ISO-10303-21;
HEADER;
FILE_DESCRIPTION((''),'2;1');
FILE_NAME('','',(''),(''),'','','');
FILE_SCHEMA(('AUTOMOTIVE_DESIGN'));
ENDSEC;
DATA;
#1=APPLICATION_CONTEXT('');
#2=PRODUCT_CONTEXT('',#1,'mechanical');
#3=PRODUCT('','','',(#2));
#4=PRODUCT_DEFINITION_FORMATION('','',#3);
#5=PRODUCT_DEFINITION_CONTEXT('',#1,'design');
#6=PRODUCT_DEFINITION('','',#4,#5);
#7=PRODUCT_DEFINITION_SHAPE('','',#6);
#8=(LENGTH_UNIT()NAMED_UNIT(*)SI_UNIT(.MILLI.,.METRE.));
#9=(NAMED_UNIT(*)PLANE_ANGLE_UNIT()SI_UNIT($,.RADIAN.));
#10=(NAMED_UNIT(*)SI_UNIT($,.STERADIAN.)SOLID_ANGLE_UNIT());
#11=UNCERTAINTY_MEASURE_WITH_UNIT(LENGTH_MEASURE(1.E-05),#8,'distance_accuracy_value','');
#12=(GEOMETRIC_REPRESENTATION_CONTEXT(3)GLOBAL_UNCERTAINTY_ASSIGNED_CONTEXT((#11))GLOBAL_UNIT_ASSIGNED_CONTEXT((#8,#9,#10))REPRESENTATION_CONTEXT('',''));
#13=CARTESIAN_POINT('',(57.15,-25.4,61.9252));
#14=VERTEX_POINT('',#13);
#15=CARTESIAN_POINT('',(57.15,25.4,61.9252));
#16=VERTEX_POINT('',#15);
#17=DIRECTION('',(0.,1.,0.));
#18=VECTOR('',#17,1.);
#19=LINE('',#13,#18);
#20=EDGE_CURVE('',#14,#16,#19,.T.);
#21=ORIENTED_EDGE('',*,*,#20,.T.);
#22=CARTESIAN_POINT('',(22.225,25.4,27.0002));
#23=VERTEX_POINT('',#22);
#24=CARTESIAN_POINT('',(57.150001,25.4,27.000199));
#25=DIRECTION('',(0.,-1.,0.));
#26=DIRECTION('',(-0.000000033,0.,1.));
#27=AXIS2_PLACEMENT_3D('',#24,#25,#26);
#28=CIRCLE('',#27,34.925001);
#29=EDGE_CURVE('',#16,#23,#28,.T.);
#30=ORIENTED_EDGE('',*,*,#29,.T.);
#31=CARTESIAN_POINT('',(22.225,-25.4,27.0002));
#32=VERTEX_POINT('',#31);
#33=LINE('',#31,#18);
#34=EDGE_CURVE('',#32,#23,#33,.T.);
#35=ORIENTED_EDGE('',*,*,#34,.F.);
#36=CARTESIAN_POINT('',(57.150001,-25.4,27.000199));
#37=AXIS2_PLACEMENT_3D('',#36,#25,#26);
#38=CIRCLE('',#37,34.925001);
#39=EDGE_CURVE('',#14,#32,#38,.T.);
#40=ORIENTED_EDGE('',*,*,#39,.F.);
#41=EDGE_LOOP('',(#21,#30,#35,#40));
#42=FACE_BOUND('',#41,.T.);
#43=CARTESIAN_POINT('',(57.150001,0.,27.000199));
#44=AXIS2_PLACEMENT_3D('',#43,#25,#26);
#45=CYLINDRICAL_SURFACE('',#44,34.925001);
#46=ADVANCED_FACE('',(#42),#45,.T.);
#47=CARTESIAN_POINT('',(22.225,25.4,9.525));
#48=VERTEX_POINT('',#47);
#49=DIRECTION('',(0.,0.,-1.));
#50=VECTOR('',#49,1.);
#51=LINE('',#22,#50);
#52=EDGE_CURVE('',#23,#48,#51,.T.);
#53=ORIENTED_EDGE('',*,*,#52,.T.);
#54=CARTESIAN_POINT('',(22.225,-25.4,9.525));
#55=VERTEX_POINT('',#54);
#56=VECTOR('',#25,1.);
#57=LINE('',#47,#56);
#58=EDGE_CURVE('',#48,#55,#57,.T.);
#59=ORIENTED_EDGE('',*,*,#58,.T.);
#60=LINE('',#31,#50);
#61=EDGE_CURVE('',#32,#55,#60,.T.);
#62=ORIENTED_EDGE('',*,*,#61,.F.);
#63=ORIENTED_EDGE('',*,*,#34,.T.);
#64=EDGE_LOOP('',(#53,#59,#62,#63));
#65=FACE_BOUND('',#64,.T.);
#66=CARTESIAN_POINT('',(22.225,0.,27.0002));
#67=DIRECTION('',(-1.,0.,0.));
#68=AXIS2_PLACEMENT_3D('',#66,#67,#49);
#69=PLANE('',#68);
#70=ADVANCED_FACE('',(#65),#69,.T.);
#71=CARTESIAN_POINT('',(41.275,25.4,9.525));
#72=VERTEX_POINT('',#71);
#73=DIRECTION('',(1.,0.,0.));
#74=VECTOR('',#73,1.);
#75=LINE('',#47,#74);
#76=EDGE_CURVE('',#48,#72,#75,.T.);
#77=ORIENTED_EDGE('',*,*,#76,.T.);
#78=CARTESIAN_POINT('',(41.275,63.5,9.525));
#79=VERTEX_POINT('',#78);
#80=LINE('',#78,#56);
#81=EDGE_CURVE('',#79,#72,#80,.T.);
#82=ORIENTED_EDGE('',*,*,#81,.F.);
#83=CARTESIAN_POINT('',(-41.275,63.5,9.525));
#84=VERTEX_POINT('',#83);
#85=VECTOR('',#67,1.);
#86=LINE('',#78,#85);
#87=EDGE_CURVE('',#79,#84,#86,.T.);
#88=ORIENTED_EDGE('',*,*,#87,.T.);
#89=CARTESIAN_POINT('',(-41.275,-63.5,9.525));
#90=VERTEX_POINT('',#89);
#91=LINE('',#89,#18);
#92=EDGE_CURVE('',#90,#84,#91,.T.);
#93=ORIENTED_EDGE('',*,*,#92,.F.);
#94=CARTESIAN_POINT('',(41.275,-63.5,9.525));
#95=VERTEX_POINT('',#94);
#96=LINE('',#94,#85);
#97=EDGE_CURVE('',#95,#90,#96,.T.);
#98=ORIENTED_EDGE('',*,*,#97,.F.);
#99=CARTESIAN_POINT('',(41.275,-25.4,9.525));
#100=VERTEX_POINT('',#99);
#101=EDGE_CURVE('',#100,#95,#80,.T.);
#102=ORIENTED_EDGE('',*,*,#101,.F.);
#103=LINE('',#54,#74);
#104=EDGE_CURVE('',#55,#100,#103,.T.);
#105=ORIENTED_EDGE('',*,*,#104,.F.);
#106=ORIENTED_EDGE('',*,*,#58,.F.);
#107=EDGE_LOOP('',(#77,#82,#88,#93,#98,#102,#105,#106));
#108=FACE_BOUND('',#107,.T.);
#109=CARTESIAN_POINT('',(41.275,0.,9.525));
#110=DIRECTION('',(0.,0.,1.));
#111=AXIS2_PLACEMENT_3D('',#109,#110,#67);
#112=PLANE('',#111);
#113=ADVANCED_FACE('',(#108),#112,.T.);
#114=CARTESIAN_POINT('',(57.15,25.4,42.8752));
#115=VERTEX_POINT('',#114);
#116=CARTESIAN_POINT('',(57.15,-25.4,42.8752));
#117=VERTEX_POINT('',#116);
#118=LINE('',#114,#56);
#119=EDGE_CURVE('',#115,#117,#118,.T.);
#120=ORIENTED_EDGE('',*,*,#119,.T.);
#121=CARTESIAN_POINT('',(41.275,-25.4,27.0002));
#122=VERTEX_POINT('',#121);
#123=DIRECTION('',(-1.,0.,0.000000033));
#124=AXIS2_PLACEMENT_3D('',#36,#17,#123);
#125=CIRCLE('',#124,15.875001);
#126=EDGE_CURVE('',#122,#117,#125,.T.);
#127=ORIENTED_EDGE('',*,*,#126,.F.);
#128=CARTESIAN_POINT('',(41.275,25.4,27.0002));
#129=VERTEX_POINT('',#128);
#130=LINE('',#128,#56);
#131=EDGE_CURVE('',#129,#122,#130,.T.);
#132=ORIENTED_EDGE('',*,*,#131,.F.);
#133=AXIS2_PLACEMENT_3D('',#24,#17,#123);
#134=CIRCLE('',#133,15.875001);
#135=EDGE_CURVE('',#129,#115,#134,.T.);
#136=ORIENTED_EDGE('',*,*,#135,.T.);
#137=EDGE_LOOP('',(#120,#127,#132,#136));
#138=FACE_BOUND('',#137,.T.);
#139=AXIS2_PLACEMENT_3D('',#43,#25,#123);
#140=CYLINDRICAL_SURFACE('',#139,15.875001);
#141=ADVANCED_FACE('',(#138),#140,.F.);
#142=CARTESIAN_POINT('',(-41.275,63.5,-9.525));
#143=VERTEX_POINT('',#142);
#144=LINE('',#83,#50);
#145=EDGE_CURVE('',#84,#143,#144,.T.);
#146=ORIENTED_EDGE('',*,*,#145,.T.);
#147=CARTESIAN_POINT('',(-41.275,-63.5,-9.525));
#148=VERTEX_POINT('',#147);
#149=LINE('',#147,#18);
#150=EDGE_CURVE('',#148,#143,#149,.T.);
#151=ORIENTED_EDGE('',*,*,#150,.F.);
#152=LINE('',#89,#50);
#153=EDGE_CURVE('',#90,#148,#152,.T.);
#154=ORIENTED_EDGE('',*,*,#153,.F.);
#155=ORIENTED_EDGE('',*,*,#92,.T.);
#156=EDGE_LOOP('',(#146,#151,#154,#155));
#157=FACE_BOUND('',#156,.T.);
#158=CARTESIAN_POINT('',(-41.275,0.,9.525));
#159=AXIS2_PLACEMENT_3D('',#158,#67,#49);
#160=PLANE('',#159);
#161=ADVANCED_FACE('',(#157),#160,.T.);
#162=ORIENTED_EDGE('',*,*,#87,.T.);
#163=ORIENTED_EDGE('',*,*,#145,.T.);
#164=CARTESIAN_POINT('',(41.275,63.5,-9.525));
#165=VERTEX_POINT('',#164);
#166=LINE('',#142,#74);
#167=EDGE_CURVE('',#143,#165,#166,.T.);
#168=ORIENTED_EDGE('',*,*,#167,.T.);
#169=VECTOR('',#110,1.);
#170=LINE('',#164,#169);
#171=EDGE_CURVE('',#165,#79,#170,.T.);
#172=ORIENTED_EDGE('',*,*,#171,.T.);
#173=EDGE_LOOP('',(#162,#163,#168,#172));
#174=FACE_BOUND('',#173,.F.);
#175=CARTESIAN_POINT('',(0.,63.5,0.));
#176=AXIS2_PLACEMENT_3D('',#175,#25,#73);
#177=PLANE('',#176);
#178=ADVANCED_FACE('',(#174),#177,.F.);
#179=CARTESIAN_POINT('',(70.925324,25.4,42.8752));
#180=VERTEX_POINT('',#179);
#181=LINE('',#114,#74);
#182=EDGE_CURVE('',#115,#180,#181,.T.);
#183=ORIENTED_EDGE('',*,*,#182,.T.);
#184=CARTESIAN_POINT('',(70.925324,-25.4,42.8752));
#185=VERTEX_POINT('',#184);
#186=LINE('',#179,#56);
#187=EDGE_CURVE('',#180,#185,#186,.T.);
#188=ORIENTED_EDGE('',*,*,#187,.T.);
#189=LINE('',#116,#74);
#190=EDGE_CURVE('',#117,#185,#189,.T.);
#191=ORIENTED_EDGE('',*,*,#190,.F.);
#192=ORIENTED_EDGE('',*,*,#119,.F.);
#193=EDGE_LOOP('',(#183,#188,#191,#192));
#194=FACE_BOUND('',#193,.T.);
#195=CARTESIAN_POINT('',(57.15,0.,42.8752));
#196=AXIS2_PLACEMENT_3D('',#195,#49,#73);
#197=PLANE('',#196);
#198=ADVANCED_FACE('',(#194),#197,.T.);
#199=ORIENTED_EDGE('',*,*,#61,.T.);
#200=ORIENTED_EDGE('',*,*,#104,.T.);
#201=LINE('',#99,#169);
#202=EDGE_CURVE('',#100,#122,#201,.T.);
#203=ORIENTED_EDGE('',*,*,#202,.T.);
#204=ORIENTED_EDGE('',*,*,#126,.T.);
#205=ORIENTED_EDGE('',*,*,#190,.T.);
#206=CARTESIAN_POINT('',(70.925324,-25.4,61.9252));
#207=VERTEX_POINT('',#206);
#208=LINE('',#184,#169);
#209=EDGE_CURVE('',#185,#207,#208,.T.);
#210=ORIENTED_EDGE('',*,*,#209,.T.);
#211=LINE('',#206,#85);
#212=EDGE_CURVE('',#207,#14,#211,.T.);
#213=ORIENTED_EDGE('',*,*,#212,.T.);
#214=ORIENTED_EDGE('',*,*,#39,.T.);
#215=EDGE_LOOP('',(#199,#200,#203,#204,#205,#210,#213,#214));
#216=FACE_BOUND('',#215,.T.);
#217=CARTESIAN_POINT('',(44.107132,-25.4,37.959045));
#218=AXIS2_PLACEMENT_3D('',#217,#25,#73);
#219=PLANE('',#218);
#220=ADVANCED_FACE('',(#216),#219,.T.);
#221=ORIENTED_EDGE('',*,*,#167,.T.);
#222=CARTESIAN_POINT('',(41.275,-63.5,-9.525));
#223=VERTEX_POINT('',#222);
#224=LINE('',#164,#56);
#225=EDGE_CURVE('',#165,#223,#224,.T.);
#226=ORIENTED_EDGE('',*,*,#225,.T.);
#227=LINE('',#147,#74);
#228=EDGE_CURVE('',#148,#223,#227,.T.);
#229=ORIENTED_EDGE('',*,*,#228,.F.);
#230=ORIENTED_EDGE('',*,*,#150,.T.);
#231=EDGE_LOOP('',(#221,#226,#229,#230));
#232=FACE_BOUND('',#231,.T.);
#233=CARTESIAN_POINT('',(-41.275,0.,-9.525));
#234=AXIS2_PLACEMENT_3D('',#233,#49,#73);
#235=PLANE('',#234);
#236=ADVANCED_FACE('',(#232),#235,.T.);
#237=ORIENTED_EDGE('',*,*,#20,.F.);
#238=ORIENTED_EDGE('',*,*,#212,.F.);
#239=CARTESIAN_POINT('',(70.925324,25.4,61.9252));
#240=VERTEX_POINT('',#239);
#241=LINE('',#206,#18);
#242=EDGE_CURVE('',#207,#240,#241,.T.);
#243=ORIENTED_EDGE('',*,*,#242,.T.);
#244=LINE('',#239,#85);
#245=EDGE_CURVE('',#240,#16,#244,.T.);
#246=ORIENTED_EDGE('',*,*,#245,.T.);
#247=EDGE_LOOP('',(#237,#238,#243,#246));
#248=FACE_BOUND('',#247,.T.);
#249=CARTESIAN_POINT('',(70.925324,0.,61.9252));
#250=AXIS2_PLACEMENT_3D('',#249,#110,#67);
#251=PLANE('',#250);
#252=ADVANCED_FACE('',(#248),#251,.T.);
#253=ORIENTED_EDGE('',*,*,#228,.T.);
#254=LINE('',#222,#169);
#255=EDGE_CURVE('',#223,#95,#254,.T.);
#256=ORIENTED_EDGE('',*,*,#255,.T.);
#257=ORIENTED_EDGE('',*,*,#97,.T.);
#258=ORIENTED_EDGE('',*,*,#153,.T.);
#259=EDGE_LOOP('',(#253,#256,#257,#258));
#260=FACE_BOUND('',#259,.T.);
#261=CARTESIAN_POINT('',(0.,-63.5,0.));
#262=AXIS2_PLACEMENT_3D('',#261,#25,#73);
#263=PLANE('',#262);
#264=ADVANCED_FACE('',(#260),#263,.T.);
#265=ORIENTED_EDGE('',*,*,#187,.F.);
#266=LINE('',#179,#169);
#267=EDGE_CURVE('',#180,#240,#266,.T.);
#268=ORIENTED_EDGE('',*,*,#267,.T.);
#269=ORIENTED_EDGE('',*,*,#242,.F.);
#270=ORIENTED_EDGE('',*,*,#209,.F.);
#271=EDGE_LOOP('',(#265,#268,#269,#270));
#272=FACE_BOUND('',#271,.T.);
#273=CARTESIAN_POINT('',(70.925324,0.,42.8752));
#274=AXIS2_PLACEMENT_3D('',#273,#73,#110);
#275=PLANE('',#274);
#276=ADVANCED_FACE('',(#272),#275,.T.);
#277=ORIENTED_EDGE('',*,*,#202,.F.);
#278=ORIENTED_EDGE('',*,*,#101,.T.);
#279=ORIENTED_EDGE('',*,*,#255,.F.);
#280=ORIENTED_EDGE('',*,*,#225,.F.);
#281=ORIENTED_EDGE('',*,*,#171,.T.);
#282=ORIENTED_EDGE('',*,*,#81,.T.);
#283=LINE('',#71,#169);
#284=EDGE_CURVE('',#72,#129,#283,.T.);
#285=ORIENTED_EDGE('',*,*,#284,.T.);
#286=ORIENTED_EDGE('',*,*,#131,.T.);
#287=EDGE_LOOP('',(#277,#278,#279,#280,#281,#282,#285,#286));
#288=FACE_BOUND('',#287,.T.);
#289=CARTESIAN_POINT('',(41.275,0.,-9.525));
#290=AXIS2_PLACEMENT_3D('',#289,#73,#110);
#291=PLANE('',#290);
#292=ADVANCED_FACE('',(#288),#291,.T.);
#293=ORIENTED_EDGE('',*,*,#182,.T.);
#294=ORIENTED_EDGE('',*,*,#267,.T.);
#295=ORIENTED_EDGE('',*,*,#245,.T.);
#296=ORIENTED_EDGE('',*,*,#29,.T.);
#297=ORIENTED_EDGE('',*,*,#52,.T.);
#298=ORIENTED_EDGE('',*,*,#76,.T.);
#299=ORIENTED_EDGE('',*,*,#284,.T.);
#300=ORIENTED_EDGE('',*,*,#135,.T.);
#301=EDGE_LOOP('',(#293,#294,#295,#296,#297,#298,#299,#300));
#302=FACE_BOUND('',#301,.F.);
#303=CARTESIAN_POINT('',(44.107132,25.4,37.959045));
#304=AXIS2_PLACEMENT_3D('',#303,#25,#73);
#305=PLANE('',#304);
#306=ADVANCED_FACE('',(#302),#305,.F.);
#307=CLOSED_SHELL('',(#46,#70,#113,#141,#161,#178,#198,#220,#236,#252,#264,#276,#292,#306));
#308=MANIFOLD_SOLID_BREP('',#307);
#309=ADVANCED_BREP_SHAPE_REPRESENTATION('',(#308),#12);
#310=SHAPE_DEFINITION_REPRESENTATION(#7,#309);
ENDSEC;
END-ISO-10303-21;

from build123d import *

# Parameters (mm, degrees)
F2_DEPTH = 63.5
F3_DEPTH = 25.4


with BuildPart() as f2:
    # F0 (on Front) → F2 (new body, symmetric)
    with BuildSketch(Plane.XZ):
        Polygon((-41.275, -9.525), (41.275, -9.525), (41.275, 9.525), (22.225, 9.525), (-41.275, 9.525), align=None)
    extrude(amount=F2_DEPTH, both=True)

    # F1 (on face) → F3 (join, symmetric)
    with BuildSketch(Plane.XZ):
        with BuildLine():
            Line((22.225, 27.0002), (22.225, 9.525))
            Line((22.225, 9.525), (41.275, 9.525))
            Line((41.275, 9.525), (41.275, 27.0002))
            ThreePointArc((41.275, 27.0002), (45.92468, 38.22552), (57.15, 42.8752))
            Line((57.15, 42.8752), (70.925324, 42.8752))
            Line((70.925324, 42.8752), (70.925324, 61.9252))
            Line((70.925324, 61.9252), (57.15, 61.9252))
            ThreePointArc((57.15, 61.9252), (32.454296, 51.695904), (22.225, 27.0002))
        make_face()
    extrude(amount=F3_DEPTH, both=True)


solid = f2.part
